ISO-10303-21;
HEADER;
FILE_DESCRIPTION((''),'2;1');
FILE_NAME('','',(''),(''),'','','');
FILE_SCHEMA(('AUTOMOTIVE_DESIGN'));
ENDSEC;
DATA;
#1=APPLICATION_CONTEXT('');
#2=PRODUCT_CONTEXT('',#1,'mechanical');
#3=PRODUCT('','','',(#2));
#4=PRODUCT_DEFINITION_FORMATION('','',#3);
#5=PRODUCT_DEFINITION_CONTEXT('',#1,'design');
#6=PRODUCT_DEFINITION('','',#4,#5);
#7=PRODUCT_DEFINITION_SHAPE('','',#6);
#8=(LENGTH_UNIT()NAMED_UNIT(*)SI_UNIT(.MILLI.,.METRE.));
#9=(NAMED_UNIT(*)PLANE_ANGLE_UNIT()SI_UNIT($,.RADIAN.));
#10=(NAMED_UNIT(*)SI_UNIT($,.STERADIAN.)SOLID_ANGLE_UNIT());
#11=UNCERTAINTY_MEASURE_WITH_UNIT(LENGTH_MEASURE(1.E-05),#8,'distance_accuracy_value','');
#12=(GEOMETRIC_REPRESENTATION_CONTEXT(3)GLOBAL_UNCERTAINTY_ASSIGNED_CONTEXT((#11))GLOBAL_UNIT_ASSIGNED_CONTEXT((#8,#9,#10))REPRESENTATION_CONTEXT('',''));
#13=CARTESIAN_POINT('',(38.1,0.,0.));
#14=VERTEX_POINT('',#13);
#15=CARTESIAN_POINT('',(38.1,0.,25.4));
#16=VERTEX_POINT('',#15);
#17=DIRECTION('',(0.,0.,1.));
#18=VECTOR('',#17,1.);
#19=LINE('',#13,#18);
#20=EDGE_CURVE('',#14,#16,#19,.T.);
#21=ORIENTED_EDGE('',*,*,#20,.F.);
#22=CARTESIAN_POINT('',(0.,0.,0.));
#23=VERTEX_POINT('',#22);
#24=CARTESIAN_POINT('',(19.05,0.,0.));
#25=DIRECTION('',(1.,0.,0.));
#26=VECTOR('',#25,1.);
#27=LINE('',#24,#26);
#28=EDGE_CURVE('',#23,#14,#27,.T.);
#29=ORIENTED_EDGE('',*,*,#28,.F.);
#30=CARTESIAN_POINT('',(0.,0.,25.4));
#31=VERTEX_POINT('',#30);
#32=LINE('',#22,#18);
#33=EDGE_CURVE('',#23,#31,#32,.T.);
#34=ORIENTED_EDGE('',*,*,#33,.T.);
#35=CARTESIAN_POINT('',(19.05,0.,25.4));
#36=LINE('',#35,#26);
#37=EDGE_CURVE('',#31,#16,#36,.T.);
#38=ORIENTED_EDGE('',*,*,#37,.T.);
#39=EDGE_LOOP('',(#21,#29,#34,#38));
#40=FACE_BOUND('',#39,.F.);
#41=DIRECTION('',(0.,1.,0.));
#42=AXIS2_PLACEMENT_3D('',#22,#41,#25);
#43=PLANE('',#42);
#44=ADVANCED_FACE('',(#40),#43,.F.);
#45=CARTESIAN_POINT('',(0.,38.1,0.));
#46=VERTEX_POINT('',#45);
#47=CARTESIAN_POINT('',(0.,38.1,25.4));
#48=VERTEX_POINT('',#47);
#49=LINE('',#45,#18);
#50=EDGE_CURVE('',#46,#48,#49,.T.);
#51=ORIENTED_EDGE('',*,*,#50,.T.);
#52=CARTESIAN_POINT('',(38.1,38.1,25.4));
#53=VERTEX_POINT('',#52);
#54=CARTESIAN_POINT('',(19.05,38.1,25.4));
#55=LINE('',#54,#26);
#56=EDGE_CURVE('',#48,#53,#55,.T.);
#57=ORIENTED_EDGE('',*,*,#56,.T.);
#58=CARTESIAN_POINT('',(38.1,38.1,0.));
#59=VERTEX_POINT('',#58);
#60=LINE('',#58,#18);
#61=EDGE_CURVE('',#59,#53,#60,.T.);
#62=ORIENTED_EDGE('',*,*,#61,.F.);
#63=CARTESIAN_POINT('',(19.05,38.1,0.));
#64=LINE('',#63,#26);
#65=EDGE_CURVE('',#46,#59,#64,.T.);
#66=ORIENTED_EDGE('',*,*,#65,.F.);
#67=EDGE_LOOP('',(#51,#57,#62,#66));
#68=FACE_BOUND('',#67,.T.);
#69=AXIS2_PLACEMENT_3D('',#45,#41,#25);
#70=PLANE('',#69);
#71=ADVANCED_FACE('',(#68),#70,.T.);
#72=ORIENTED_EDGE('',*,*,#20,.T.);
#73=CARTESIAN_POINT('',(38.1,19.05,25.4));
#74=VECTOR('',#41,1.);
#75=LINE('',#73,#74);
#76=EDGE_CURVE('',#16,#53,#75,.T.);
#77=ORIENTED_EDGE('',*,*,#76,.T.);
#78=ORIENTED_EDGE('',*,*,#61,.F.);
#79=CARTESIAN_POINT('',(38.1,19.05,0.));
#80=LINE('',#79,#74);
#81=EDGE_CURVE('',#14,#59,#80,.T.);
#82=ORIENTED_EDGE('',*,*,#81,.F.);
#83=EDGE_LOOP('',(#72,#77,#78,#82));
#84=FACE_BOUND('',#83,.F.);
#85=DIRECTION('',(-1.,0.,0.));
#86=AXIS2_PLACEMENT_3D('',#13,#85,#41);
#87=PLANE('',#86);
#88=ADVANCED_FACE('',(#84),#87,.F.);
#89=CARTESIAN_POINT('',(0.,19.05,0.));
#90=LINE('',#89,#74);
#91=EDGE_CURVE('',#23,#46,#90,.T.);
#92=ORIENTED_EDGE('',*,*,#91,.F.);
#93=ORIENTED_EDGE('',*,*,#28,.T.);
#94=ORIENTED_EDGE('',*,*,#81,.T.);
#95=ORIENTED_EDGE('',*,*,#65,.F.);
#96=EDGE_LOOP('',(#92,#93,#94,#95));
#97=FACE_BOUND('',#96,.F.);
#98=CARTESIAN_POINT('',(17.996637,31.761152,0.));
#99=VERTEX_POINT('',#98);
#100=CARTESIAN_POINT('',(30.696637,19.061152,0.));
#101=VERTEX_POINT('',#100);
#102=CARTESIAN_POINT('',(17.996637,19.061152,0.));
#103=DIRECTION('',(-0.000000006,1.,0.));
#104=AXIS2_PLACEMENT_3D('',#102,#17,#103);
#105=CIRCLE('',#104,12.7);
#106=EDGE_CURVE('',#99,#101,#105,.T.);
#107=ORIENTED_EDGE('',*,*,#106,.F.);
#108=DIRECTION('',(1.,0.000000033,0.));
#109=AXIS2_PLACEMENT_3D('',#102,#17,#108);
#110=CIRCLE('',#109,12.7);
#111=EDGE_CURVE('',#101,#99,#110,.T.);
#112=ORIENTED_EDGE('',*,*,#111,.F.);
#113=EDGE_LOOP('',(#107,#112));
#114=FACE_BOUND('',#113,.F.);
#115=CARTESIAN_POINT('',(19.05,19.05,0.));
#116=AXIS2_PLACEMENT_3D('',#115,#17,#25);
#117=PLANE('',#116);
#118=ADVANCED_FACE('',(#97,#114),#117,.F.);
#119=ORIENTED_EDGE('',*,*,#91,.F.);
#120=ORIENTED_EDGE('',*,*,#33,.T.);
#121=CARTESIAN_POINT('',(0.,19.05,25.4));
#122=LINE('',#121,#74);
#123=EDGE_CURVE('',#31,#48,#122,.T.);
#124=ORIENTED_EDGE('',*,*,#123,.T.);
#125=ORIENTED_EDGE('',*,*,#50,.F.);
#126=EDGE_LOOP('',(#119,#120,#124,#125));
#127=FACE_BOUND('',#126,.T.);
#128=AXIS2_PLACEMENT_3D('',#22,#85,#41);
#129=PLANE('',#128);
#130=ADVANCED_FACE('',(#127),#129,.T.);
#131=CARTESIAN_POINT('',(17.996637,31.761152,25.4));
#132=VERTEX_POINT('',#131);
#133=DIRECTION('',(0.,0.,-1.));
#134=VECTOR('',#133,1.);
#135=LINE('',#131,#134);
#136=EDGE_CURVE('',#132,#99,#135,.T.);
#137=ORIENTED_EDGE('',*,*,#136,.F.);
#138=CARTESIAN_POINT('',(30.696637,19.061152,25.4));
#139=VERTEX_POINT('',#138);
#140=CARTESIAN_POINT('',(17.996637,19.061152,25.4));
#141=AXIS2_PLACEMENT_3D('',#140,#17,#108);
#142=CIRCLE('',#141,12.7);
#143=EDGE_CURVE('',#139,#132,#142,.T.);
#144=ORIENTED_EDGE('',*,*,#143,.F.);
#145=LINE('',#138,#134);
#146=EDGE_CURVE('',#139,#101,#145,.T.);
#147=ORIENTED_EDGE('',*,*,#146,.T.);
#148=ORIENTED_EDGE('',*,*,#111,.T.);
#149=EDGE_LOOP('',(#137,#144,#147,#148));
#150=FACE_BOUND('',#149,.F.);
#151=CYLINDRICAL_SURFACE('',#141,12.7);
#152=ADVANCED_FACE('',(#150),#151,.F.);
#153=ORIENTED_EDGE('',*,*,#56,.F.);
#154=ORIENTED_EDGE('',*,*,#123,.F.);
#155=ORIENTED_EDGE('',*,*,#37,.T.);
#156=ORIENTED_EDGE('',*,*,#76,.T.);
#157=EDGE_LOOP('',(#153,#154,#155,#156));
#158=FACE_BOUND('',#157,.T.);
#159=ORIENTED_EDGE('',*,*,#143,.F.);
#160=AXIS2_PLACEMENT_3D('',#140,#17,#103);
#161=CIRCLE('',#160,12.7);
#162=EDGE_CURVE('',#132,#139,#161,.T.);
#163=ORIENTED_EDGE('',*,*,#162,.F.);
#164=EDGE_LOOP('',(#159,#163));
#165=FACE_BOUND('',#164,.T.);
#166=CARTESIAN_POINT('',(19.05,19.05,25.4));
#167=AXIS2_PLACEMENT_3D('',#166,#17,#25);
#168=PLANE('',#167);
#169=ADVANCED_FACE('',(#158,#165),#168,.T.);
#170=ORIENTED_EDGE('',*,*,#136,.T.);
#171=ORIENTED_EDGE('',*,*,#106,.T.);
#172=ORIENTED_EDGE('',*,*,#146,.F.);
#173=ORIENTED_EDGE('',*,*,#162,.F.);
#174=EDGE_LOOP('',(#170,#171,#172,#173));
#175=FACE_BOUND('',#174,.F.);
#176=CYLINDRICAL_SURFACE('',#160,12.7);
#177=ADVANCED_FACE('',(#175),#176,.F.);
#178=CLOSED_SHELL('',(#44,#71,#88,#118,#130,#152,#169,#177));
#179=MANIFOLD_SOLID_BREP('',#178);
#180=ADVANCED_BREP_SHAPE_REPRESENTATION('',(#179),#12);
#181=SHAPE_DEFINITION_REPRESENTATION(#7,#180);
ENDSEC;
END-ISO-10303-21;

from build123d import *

# Parameters (mm, degrees)
F0_W     = 38.1
F0_H     = 38.1
F1_DEPTH = 25.4
F3_DEPTH = 25.401


with BuildPart() as f1:
    # F0 (on Top) → F1 (new body)
    with BuildSketch(Plane.XY):
        with Locations((19.05, 19.05)):
            Rectangle(F0_W, F0_H)
    extrude(amount=F1_DEPTH)

    # F2 (on face) → F3 (cut, through all)
    with BuildSketch(Plane.XY.offset(25.4)):
        with BuildLine():
            ThreePointArc((17.996637, 31.761152), (9.016381, 10.080896), (30.696637, 19.061152))
            ThreePointArc((30.696637, 19.061152), (26.976893, 28.041408), (17.996637, 31.761152))
        make_face()
    extrude(amount=-F3_DEPTH, mode=Mode.SUBTRACT)


solid = f1.part
